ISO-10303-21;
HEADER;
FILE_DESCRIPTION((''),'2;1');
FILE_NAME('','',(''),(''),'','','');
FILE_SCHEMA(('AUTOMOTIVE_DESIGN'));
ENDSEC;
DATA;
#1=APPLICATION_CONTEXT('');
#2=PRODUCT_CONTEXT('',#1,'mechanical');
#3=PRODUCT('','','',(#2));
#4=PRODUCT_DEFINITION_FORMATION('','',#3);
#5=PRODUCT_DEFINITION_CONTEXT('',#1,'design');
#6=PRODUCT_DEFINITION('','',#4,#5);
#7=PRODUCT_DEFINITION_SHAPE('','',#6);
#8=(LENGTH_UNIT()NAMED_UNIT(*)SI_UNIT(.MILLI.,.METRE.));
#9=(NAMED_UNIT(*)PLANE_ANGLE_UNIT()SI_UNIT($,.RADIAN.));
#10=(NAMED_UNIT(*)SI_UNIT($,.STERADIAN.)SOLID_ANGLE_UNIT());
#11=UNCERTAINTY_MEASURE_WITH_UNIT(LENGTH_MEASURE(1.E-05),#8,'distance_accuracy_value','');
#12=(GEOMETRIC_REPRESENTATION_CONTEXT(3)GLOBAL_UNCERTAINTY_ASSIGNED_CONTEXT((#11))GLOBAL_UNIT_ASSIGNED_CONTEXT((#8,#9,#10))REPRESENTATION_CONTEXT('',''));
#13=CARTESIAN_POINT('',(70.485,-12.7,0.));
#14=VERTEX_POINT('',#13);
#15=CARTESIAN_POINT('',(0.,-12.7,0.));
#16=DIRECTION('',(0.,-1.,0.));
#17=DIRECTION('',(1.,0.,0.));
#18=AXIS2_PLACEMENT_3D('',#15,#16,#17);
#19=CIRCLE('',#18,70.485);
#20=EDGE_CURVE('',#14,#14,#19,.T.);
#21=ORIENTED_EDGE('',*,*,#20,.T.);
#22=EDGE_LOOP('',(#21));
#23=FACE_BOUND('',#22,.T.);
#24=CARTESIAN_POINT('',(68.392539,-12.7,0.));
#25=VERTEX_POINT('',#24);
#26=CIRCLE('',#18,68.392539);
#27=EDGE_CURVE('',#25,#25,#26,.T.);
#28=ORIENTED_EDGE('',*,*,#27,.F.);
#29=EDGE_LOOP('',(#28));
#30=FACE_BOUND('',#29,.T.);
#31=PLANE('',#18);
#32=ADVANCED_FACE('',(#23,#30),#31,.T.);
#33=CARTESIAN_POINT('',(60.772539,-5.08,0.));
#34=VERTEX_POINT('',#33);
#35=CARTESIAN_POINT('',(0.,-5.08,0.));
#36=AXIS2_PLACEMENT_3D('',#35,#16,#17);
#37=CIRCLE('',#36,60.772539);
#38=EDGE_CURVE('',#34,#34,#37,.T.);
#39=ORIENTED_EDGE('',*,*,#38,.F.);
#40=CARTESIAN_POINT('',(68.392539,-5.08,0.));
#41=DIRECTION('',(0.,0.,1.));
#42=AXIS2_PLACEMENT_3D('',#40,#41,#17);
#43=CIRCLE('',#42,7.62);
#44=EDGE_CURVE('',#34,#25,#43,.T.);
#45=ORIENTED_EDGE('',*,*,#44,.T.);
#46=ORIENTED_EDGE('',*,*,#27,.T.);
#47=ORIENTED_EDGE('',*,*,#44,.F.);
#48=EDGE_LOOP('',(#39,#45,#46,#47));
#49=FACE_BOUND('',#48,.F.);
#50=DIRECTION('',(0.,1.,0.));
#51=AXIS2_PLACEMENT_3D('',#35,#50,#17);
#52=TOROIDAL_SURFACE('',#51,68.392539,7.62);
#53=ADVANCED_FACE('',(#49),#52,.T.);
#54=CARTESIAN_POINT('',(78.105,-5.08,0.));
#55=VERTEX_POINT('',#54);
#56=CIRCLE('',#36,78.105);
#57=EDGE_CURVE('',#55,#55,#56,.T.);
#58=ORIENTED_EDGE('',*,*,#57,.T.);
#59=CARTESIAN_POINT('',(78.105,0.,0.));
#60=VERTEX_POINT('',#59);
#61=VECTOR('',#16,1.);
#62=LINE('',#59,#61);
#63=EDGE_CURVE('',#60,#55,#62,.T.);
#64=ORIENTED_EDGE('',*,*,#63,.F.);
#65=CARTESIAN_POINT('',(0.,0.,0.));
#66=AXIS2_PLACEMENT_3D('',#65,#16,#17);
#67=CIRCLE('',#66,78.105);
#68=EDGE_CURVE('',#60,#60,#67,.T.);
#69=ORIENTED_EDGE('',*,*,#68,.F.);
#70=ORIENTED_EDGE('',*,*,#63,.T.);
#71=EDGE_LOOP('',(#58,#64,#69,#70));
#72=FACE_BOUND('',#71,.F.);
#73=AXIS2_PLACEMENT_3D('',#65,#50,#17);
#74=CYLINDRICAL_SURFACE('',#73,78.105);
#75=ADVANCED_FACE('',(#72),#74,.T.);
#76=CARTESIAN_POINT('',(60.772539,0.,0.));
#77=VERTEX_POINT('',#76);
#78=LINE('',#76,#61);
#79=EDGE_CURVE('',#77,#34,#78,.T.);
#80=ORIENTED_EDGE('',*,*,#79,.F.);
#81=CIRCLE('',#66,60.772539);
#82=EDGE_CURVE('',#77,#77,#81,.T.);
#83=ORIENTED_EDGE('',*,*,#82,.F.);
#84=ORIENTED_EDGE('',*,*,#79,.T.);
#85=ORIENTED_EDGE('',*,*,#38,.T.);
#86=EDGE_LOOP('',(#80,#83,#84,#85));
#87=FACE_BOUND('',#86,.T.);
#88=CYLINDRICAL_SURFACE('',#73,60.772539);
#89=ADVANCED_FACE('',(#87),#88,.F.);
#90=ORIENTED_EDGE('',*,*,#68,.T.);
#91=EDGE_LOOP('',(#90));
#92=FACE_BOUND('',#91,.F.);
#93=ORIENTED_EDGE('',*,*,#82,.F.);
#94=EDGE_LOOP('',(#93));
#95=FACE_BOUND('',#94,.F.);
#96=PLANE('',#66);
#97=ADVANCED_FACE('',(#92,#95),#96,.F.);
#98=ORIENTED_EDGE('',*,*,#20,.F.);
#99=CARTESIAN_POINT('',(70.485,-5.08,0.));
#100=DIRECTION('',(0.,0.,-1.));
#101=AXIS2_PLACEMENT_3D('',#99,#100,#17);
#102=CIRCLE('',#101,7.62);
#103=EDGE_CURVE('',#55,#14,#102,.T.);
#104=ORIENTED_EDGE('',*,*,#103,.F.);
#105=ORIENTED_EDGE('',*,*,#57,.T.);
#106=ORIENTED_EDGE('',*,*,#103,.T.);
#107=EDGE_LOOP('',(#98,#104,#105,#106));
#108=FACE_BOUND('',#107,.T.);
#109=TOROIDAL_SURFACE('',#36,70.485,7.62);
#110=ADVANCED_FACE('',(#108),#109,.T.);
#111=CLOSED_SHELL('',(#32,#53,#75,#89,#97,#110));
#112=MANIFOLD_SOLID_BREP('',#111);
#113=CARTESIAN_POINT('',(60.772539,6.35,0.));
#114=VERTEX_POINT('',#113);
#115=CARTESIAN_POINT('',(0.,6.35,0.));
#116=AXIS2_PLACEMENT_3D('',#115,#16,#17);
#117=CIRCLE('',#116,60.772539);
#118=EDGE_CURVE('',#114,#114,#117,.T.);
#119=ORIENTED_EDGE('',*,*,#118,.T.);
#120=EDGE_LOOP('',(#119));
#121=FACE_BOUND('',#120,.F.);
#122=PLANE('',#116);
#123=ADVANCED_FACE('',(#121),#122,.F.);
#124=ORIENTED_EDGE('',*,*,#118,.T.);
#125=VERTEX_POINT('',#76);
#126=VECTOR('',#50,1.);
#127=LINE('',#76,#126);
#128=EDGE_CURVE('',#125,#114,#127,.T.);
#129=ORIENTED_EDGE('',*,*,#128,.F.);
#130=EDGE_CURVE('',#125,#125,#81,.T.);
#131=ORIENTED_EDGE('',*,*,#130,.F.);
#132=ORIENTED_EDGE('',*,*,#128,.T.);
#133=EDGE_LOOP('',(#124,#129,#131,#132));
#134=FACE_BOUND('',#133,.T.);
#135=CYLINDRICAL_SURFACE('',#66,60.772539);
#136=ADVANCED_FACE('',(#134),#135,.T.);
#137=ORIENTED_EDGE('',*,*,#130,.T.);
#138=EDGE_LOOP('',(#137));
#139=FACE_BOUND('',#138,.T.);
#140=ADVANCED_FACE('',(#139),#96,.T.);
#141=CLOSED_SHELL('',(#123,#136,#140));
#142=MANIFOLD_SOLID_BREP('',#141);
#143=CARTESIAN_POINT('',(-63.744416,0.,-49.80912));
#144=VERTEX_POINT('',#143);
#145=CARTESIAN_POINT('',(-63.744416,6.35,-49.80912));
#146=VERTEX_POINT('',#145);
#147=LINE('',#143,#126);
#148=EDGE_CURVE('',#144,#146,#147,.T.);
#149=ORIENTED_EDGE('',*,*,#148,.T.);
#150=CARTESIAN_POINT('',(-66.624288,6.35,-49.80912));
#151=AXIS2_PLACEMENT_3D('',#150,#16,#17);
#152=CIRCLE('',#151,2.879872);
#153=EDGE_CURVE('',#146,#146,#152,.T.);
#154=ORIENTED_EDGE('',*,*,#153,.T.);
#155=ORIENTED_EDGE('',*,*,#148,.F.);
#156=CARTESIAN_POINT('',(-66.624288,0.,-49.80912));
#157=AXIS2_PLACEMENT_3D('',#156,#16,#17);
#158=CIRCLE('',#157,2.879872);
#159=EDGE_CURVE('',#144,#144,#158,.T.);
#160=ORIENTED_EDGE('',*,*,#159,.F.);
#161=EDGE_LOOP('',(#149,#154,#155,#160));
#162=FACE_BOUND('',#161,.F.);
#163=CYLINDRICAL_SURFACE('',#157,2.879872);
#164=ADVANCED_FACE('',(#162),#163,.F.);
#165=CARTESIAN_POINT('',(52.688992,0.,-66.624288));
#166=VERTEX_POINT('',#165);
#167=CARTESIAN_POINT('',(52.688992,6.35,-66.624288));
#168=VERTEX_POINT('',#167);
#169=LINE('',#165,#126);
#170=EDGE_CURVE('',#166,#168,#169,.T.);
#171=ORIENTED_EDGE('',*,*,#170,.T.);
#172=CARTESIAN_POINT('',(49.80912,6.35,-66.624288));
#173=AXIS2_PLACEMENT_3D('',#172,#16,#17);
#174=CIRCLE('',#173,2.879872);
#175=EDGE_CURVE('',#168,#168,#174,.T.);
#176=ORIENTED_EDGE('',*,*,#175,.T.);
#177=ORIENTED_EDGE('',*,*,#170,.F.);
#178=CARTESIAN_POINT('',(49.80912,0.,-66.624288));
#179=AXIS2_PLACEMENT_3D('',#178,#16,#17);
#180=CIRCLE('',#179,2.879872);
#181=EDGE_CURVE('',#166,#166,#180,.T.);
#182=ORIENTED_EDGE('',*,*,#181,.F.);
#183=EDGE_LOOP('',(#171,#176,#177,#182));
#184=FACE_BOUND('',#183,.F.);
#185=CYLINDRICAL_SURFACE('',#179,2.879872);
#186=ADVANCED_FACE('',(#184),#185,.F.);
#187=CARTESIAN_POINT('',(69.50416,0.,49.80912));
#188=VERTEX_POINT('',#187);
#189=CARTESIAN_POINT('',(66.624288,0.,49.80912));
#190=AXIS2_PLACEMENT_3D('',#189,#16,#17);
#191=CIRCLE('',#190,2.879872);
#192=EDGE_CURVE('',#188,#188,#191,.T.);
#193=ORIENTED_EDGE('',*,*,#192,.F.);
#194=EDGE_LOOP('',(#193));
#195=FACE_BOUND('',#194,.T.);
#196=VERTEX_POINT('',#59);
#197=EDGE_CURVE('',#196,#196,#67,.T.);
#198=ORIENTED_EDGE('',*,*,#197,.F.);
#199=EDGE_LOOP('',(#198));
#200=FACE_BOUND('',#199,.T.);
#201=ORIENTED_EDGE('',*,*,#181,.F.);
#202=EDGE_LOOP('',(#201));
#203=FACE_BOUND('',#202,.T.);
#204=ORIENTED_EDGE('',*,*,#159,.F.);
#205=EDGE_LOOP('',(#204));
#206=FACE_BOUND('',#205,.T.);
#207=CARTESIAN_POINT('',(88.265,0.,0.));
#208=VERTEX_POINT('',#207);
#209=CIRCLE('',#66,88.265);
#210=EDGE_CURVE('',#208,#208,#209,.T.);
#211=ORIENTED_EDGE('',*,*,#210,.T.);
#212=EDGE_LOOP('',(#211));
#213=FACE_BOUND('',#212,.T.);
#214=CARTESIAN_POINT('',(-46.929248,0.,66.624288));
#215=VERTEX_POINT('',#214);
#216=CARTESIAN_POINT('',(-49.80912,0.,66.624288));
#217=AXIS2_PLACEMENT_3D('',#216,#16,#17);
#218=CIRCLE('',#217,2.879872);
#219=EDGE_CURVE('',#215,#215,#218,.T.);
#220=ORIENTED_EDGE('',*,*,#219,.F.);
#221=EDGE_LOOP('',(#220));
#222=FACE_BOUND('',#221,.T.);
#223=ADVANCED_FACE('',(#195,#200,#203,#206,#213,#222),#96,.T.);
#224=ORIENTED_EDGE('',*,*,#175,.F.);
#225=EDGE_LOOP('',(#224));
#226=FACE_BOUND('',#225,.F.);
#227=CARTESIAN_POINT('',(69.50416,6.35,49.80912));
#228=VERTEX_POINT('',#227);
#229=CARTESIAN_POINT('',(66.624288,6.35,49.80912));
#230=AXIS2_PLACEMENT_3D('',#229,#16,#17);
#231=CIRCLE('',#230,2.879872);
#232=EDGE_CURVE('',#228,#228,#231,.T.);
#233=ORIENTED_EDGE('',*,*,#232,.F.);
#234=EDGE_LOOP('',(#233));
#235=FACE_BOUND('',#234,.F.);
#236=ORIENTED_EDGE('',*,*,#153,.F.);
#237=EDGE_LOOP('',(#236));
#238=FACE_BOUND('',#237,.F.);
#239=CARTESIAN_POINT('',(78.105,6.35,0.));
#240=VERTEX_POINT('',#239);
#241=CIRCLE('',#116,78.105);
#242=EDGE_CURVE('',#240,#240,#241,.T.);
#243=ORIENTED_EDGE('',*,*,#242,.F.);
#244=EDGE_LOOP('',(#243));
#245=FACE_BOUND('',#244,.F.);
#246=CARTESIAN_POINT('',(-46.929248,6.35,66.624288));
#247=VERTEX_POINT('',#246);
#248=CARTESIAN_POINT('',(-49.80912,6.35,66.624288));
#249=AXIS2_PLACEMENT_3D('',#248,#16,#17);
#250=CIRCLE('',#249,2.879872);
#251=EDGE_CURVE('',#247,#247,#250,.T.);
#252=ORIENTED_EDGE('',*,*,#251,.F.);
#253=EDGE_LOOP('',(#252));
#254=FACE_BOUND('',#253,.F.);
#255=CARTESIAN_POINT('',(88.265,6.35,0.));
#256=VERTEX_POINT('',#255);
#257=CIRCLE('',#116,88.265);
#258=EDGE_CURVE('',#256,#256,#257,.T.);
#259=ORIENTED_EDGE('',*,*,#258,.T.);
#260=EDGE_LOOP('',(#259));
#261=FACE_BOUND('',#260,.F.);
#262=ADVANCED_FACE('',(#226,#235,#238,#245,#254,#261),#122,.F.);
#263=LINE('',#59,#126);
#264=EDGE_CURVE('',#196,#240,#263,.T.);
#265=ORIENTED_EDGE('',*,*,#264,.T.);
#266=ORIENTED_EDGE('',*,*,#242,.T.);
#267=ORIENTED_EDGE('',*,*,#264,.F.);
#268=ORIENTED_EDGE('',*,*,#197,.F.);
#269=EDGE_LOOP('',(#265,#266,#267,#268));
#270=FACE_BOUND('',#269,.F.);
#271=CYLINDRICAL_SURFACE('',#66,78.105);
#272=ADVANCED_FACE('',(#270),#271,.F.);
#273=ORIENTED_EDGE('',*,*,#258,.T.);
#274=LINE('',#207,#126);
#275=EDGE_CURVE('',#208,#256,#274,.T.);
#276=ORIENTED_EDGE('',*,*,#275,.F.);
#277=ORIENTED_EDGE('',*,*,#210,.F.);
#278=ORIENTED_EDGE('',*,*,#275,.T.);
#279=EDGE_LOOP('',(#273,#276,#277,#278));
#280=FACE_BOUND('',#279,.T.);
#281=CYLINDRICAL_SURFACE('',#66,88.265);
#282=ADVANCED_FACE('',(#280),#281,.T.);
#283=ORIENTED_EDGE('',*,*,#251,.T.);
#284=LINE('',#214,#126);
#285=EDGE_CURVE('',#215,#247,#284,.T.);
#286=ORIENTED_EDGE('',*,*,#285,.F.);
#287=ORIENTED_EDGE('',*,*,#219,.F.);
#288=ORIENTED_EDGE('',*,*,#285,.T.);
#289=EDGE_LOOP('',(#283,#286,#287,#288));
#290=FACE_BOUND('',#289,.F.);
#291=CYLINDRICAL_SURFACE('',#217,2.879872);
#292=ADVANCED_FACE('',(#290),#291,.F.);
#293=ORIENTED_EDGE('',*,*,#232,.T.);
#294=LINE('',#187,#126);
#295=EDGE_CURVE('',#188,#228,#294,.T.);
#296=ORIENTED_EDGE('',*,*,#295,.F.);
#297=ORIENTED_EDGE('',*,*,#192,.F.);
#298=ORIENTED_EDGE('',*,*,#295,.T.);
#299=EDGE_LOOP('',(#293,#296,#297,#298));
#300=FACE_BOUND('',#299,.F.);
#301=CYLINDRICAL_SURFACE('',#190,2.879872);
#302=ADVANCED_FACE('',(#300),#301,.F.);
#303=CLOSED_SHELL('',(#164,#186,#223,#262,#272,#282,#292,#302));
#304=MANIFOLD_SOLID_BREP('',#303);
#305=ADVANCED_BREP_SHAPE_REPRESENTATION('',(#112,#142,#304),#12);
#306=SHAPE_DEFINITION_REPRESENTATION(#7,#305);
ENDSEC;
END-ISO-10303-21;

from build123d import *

# Parameters (mm, degrees)
F0_R     = 78.105
F0_R_2   = 60.772539
F1_DEPTH = 12.7
F0_R_3   = 88.265
F0_R_4   = 2.879872
F2_DEPTH = 6.35
F3_R     = 7.62
F4_DEPTH = 6.35


with BuildPart() as f1:
    # F0 (on Front) → F1 (new body)
    with BuildSketch(Plane.XZ):
        Circle(F0_R)
        Circle(F0_R_2, mode=Mode.SUBTRACT)
    extrude(amount=F1_DEPTH)

    # F3
    f3_edges = [f1.edges().sort_by_distance(p)[0] for p in [
        (-78.105, -12.7, 0),
        (-60.772539, -12.7, 0),
    ]]
    fillet(f3_edges, radius=F3_R)


with BuildPart() as f2:
    # F0 (on Front) → F2 (new body)
    with BuildSketch(Plane.XZ):
        Circle(F0_R_3)
        with Locations((-66.624288, -49.80912)):
            Circle(F0_R_4, mode=Mode.SUBTRACT)
        with Locations((49.80912, -66.624288)):
            Circle(F0_R_4, mode=Mode.SUBTRACT)
        with Locations((-49.80912, 66.624288)):
            Circle(F0_R_4, mode=Mode.SUBTRACT)
        Circle(F0_R, mode=Mode.SUBTRACT)
        with Locations((66.624288, 49.80912)):
            Circle(F0_R_4, mode=Mode.SUBTRACT)
    extrude(amount=-F2_DEPTH)


with BuildPart() as f4:
    # F0 (on Front) → F4 (new body)
    with BuildSketch(Plane.XZ):
        Circle(F0_R_2)
    extrude(amount=-F4_DEPTH)


solid = Compound([f1.part, f2.part, f4.part])
